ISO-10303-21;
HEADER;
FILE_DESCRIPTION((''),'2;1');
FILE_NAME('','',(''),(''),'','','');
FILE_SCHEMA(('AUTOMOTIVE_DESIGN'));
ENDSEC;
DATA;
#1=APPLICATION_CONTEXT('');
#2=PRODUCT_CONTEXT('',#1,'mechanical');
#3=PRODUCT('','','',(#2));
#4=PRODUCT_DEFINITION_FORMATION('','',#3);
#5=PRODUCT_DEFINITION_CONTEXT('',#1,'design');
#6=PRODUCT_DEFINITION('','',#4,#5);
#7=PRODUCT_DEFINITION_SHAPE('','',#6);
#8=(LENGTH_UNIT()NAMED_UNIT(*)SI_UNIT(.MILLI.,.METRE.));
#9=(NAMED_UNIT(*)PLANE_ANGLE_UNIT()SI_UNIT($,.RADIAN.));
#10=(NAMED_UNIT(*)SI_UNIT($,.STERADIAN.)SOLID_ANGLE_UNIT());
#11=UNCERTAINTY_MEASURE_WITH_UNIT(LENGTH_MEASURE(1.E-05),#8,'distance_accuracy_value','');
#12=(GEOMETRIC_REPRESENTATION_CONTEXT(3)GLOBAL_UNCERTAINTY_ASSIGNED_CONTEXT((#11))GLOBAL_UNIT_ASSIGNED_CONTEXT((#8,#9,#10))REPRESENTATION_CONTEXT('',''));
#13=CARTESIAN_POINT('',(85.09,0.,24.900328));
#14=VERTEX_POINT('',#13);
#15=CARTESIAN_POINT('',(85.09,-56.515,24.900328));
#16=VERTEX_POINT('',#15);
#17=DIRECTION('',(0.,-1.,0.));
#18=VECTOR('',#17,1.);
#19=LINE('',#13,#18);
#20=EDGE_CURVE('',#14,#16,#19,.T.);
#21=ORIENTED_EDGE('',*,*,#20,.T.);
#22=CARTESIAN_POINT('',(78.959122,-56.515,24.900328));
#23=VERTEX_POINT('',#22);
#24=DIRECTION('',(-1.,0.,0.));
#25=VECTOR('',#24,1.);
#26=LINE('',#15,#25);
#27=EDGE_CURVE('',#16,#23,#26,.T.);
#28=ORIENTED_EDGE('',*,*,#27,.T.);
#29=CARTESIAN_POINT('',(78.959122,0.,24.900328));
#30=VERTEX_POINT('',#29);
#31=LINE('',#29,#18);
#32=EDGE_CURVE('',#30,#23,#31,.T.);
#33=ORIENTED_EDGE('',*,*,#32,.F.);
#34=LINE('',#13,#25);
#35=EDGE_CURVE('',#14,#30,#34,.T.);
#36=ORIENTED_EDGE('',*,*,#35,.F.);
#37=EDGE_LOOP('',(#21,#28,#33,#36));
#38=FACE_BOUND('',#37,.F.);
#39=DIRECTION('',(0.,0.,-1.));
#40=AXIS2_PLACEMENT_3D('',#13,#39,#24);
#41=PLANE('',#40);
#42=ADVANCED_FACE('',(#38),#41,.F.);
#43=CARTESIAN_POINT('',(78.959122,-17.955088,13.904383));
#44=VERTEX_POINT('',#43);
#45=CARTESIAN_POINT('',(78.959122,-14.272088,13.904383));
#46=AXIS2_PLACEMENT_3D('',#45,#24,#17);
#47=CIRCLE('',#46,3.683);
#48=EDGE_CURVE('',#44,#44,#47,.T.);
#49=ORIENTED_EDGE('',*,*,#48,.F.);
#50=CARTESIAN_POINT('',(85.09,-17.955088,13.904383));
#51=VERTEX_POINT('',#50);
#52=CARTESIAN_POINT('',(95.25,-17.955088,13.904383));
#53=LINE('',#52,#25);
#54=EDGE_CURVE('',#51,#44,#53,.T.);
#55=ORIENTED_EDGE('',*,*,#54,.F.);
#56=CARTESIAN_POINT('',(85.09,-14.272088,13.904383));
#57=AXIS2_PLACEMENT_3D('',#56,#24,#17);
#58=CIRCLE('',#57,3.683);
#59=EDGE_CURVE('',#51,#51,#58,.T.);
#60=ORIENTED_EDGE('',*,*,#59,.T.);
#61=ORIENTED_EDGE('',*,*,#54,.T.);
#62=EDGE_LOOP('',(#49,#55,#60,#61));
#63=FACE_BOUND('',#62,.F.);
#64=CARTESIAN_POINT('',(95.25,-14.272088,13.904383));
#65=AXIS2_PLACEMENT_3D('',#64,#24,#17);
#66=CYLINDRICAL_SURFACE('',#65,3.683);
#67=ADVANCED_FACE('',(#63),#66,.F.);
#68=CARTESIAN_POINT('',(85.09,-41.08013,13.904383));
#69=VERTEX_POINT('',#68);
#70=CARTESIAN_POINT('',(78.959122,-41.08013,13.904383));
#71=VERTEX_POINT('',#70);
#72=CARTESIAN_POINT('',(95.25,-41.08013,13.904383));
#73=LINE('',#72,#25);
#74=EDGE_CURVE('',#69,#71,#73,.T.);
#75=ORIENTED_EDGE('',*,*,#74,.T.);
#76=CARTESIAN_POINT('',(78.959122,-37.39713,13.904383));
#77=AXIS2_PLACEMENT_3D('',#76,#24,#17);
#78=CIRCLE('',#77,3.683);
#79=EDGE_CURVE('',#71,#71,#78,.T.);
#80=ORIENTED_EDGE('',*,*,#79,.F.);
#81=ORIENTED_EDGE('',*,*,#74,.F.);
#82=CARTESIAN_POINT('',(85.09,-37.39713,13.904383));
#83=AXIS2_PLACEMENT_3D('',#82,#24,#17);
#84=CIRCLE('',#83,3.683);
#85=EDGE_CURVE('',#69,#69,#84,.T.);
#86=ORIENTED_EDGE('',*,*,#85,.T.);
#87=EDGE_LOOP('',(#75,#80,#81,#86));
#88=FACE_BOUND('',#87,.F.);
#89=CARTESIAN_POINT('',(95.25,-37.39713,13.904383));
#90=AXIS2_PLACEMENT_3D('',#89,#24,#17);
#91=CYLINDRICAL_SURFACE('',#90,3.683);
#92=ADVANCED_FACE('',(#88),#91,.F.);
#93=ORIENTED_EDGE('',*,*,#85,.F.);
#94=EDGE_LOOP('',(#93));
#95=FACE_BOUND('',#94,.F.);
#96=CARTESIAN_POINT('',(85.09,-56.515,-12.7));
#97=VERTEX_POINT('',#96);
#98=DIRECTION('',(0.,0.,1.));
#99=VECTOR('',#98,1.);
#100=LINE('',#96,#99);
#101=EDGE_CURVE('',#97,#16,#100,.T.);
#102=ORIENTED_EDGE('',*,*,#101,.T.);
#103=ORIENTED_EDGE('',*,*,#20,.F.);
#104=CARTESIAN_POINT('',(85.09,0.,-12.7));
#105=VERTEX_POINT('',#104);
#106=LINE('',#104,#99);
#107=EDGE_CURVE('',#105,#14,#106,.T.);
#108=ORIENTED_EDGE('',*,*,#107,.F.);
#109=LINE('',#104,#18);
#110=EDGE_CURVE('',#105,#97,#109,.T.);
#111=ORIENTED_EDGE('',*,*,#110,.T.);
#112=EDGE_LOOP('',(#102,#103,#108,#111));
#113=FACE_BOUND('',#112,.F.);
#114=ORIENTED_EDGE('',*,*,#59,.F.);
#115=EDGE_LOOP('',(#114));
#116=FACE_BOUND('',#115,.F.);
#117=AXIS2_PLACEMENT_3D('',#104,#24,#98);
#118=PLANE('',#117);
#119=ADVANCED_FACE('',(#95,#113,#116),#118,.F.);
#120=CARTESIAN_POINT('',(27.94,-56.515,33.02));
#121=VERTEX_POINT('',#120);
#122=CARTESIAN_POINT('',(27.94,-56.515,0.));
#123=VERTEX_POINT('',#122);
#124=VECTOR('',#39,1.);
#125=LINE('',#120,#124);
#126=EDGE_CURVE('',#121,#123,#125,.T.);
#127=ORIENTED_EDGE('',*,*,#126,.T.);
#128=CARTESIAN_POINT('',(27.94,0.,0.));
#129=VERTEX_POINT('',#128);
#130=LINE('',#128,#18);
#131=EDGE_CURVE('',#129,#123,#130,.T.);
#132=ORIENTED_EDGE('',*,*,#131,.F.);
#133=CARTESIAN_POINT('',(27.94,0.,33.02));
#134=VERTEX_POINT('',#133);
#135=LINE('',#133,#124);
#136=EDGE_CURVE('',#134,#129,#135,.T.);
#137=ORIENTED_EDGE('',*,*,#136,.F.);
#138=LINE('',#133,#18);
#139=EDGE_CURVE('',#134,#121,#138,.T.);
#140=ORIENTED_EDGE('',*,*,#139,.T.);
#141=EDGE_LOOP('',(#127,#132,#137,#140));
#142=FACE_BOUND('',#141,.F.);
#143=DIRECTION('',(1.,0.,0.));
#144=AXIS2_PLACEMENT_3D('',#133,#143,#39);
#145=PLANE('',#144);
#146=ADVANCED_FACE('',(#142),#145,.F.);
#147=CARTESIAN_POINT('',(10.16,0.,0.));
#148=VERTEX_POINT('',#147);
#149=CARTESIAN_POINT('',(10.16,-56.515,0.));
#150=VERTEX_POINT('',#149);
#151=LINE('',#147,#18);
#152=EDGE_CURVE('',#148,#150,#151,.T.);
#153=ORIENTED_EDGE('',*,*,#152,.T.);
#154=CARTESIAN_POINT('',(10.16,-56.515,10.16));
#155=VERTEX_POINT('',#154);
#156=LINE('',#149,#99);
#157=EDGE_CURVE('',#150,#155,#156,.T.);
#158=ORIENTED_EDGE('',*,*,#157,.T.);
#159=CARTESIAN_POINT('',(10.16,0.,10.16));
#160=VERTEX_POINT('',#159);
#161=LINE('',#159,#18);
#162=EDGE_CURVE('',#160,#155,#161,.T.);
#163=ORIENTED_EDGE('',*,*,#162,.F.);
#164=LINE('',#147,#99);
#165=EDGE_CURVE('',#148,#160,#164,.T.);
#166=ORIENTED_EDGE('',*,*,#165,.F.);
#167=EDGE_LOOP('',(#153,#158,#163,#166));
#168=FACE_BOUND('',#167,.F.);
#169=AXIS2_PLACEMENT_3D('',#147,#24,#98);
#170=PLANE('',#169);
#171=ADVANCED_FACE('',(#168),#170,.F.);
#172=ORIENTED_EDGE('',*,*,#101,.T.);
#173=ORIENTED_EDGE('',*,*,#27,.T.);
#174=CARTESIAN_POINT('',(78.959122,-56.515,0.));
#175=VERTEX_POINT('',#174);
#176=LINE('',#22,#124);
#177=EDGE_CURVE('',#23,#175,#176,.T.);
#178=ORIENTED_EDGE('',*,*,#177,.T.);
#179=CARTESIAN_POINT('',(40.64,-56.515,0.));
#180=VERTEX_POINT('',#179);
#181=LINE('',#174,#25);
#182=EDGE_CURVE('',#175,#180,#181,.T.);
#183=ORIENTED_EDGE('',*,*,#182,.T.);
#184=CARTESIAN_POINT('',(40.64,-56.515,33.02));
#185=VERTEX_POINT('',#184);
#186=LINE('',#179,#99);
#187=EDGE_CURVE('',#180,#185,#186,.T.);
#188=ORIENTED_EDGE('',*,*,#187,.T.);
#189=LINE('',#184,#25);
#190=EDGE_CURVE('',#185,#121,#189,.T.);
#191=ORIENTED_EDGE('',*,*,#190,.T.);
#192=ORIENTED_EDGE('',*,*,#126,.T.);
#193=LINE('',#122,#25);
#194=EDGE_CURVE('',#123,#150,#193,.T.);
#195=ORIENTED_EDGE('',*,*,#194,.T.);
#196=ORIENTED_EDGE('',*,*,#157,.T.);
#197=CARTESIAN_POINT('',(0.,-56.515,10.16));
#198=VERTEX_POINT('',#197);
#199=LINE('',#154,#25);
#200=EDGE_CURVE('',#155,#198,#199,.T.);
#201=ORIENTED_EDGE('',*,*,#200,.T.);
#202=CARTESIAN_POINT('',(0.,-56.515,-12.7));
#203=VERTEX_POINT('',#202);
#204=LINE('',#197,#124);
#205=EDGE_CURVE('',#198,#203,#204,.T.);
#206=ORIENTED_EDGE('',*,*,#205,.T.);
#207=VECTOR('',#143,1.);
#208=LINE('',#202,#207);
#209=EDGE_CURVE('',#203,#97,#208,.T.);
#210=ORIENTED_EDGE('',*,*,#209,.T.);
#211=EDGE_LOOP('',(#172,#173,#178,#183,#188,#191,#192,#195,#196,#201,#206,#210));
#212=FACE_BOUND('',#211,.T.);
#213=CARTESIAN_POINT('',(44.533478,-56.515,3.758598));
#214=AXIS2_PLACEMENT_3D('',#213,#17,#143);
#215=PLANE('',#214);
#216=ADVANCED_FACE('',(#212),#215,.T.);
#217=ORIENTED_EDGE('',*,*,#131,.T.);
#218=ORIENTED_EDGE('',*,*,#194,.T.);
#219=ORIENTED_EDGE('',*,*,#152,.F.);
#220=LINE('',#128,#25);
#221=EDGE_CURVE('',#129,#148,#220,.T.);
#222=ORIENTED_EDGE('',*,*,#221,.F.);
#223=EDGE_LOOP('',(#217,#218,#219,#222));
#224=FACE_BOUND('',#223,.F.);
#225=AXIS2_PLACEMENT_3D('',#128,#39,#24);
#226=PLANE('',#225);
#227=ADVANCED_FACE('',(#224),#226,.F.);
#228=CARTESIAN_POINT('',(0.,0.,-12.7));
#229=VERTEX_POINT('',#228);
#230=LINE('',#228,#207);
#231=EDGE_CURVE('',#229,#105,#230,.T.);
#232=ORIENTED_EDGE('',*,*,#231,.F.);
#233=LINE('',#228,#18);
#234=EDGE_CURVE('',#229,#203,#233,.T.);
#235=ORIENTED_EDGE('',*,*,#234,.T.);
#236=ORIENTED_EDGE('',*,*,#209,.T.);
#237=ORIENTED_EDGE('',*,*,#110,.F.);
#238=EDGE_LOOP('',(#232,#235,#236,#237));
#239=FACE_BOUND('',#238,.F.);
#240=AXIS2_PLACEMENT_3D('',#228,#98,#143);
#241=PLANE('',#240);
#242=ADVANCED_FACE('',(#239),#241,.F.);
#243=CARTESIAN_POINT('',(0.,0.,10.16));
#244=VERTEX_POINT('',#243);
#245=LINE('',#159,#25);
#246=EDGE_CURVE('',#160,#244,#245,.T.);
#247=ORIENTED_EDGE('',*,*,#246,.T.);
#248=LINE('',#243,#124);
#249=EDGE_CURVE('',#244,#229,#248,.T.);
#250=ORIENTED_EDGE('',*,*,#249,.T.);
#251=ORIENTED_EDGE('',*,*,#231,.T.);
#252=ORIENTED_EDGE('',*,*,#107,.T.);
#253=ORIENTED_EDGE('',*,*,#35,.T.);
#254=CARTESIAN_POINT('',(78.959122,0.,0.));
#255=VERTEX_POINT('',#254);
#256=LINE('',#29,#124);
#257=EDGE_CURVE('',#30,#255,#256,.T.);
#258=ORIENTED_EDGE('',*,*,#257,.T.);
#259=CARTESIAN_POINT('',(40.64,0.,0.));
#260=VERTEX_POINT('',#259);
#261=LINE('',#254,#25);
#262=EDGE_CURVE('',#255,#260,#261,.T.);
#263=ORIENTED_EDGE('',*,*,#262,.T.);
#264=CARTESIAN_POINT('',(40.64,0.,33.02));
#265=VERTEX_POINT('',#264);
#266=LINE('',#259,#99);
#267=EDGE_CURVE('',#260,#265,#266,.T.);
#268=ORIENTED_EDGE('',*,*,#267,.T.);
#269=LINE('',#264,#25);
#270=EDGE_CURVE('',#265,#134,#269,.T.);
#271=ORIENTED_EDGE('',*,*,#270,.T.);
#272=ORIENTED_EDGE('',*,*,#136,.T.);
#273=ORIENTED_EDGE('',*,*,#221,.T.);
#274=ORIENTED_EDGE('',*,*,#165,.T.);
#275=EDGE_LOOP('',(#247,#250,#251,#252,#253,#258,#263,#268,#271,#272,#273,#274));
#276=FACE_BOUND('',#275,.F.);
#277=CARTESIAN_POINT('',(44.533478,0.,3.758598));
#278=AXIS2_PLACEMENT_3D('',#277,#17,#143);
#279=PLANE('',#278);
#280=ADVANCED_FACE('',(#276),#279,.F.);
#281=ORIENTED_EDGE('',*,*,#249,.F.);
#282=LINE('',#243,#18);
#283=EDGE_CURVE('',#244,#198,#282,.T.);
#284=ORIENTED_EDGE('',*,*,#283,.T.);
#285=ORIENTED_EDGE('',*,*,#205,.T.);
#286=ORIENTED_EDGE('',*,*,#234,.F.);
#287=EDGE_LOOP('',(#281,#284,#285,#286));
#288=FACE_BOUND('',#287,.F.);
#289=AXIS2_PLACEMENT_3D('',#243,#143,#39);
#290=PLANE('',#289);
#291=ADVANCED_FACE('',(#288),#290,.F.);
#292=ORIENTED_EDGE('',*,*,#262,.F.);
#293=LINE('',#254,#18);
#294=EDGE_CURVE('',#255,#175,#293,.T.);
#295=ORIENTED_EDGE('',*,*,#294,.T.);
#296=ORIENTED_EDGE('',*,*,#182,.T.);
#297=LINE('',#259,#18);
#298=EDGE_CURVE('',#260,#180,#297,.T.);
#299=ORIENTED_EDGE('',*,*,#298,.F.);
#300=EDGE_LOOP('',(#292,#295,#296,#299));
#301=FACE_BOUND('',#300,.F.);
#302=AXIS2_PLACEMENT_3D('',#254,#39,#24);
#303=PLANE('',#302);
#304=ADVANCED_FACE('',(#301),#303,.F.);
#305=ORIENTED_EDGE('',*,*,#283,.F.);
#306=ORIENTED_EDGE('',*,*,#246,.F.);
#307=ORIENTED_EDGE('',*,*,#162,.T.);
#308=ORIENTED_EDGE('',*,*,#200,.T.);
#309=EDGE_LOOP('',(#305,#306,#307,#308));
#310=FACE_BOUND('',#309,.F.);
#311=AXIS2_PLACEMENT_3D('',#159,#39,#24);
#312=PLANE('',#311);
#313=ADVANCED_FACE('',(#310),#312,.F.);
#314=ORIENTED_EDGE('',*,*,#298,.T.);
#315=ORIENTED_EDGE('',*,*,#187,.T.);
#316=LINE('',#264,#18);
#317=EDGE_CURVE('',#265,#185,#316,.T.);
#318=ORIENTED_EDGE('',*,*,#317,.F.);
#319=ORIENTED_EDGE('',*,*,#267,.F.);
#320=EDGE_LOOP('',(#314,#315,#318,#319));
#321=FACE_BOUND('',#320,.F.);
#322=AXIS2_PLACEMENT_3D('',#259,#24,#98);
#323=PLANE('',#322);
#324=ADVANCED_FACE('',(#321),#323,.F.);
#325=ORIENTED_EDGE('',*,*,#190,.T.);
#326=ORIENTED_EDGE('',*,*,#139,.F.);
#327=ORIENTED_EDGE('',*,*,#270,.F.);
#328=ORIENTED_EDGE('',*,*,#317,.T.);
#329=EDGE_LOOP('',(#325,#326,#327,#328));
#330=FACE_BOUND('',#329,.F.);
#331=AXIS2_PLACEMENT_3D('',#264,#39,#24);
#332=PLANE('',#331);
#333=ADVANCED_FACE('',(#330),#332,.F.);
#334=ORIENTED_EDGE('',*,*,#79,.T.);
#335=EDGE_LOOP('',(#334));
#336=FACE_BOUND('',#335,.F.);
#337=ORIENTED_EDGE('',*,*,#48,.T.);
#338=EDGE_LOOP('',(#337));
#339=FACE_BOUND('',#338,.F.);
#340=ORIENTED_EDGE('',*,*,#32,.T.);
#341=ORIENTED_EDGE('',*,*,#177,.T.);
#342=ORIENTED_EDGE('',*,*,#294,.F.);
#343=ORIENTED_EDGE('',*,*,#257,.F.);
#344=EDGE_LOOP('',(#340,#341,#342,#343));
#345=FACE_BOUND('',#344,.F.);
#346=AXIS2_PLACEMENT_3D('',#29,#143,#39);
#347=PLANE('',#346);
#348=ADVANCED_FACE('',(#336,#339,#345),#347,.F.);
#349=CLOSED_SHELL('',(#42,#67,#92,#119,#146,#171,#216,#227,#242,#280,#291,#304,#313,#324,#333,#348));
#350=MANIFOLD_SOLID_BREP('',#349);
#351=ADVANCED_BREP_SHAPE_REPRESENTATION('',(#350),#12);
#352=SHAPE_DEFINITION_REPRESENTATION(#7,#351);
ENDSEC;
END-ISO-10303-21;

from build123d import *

# Parameters (mm, degrees)
F1_DEPTH = 56.515
F3_D     = 7.366
F3_DEPTH = 10.16
F4_D     = 7.366
F4_DEPTH = 10.16


with BuildPart() as f1:
    # F0 (on Front) → F1 (new body)
    with BuildSketch(Plane.XZ):
        Polygon((27.94, 0), (10.16, 0), (10.16, 10.16), (0, 10.16), (0, 0), (0, -12.7), (85.09, -12.7), (85.09, 0), (85.09, 24.900328), (78.959122, 24.900328), (78.959122, 0), (40.64, 0), (40.64, 33.02), (27.94, 33.02), align=None)
    extrude(amount=F1_DEPTH)

    # F3
    with Locations(Plane.YZ.offset(85.09)):
        with Locations((-37.39713, 13.904383)):
            Hole(F3_D / 2, depth=F3_DEPTH)

    # F4
    with Locations(Plane.YZ.offset(85.09)):
        with Locations((-14.272088, 13.904383)):
            Hole(F4_D / 2, depth=F4_DEPTH)


solid = f1.part
